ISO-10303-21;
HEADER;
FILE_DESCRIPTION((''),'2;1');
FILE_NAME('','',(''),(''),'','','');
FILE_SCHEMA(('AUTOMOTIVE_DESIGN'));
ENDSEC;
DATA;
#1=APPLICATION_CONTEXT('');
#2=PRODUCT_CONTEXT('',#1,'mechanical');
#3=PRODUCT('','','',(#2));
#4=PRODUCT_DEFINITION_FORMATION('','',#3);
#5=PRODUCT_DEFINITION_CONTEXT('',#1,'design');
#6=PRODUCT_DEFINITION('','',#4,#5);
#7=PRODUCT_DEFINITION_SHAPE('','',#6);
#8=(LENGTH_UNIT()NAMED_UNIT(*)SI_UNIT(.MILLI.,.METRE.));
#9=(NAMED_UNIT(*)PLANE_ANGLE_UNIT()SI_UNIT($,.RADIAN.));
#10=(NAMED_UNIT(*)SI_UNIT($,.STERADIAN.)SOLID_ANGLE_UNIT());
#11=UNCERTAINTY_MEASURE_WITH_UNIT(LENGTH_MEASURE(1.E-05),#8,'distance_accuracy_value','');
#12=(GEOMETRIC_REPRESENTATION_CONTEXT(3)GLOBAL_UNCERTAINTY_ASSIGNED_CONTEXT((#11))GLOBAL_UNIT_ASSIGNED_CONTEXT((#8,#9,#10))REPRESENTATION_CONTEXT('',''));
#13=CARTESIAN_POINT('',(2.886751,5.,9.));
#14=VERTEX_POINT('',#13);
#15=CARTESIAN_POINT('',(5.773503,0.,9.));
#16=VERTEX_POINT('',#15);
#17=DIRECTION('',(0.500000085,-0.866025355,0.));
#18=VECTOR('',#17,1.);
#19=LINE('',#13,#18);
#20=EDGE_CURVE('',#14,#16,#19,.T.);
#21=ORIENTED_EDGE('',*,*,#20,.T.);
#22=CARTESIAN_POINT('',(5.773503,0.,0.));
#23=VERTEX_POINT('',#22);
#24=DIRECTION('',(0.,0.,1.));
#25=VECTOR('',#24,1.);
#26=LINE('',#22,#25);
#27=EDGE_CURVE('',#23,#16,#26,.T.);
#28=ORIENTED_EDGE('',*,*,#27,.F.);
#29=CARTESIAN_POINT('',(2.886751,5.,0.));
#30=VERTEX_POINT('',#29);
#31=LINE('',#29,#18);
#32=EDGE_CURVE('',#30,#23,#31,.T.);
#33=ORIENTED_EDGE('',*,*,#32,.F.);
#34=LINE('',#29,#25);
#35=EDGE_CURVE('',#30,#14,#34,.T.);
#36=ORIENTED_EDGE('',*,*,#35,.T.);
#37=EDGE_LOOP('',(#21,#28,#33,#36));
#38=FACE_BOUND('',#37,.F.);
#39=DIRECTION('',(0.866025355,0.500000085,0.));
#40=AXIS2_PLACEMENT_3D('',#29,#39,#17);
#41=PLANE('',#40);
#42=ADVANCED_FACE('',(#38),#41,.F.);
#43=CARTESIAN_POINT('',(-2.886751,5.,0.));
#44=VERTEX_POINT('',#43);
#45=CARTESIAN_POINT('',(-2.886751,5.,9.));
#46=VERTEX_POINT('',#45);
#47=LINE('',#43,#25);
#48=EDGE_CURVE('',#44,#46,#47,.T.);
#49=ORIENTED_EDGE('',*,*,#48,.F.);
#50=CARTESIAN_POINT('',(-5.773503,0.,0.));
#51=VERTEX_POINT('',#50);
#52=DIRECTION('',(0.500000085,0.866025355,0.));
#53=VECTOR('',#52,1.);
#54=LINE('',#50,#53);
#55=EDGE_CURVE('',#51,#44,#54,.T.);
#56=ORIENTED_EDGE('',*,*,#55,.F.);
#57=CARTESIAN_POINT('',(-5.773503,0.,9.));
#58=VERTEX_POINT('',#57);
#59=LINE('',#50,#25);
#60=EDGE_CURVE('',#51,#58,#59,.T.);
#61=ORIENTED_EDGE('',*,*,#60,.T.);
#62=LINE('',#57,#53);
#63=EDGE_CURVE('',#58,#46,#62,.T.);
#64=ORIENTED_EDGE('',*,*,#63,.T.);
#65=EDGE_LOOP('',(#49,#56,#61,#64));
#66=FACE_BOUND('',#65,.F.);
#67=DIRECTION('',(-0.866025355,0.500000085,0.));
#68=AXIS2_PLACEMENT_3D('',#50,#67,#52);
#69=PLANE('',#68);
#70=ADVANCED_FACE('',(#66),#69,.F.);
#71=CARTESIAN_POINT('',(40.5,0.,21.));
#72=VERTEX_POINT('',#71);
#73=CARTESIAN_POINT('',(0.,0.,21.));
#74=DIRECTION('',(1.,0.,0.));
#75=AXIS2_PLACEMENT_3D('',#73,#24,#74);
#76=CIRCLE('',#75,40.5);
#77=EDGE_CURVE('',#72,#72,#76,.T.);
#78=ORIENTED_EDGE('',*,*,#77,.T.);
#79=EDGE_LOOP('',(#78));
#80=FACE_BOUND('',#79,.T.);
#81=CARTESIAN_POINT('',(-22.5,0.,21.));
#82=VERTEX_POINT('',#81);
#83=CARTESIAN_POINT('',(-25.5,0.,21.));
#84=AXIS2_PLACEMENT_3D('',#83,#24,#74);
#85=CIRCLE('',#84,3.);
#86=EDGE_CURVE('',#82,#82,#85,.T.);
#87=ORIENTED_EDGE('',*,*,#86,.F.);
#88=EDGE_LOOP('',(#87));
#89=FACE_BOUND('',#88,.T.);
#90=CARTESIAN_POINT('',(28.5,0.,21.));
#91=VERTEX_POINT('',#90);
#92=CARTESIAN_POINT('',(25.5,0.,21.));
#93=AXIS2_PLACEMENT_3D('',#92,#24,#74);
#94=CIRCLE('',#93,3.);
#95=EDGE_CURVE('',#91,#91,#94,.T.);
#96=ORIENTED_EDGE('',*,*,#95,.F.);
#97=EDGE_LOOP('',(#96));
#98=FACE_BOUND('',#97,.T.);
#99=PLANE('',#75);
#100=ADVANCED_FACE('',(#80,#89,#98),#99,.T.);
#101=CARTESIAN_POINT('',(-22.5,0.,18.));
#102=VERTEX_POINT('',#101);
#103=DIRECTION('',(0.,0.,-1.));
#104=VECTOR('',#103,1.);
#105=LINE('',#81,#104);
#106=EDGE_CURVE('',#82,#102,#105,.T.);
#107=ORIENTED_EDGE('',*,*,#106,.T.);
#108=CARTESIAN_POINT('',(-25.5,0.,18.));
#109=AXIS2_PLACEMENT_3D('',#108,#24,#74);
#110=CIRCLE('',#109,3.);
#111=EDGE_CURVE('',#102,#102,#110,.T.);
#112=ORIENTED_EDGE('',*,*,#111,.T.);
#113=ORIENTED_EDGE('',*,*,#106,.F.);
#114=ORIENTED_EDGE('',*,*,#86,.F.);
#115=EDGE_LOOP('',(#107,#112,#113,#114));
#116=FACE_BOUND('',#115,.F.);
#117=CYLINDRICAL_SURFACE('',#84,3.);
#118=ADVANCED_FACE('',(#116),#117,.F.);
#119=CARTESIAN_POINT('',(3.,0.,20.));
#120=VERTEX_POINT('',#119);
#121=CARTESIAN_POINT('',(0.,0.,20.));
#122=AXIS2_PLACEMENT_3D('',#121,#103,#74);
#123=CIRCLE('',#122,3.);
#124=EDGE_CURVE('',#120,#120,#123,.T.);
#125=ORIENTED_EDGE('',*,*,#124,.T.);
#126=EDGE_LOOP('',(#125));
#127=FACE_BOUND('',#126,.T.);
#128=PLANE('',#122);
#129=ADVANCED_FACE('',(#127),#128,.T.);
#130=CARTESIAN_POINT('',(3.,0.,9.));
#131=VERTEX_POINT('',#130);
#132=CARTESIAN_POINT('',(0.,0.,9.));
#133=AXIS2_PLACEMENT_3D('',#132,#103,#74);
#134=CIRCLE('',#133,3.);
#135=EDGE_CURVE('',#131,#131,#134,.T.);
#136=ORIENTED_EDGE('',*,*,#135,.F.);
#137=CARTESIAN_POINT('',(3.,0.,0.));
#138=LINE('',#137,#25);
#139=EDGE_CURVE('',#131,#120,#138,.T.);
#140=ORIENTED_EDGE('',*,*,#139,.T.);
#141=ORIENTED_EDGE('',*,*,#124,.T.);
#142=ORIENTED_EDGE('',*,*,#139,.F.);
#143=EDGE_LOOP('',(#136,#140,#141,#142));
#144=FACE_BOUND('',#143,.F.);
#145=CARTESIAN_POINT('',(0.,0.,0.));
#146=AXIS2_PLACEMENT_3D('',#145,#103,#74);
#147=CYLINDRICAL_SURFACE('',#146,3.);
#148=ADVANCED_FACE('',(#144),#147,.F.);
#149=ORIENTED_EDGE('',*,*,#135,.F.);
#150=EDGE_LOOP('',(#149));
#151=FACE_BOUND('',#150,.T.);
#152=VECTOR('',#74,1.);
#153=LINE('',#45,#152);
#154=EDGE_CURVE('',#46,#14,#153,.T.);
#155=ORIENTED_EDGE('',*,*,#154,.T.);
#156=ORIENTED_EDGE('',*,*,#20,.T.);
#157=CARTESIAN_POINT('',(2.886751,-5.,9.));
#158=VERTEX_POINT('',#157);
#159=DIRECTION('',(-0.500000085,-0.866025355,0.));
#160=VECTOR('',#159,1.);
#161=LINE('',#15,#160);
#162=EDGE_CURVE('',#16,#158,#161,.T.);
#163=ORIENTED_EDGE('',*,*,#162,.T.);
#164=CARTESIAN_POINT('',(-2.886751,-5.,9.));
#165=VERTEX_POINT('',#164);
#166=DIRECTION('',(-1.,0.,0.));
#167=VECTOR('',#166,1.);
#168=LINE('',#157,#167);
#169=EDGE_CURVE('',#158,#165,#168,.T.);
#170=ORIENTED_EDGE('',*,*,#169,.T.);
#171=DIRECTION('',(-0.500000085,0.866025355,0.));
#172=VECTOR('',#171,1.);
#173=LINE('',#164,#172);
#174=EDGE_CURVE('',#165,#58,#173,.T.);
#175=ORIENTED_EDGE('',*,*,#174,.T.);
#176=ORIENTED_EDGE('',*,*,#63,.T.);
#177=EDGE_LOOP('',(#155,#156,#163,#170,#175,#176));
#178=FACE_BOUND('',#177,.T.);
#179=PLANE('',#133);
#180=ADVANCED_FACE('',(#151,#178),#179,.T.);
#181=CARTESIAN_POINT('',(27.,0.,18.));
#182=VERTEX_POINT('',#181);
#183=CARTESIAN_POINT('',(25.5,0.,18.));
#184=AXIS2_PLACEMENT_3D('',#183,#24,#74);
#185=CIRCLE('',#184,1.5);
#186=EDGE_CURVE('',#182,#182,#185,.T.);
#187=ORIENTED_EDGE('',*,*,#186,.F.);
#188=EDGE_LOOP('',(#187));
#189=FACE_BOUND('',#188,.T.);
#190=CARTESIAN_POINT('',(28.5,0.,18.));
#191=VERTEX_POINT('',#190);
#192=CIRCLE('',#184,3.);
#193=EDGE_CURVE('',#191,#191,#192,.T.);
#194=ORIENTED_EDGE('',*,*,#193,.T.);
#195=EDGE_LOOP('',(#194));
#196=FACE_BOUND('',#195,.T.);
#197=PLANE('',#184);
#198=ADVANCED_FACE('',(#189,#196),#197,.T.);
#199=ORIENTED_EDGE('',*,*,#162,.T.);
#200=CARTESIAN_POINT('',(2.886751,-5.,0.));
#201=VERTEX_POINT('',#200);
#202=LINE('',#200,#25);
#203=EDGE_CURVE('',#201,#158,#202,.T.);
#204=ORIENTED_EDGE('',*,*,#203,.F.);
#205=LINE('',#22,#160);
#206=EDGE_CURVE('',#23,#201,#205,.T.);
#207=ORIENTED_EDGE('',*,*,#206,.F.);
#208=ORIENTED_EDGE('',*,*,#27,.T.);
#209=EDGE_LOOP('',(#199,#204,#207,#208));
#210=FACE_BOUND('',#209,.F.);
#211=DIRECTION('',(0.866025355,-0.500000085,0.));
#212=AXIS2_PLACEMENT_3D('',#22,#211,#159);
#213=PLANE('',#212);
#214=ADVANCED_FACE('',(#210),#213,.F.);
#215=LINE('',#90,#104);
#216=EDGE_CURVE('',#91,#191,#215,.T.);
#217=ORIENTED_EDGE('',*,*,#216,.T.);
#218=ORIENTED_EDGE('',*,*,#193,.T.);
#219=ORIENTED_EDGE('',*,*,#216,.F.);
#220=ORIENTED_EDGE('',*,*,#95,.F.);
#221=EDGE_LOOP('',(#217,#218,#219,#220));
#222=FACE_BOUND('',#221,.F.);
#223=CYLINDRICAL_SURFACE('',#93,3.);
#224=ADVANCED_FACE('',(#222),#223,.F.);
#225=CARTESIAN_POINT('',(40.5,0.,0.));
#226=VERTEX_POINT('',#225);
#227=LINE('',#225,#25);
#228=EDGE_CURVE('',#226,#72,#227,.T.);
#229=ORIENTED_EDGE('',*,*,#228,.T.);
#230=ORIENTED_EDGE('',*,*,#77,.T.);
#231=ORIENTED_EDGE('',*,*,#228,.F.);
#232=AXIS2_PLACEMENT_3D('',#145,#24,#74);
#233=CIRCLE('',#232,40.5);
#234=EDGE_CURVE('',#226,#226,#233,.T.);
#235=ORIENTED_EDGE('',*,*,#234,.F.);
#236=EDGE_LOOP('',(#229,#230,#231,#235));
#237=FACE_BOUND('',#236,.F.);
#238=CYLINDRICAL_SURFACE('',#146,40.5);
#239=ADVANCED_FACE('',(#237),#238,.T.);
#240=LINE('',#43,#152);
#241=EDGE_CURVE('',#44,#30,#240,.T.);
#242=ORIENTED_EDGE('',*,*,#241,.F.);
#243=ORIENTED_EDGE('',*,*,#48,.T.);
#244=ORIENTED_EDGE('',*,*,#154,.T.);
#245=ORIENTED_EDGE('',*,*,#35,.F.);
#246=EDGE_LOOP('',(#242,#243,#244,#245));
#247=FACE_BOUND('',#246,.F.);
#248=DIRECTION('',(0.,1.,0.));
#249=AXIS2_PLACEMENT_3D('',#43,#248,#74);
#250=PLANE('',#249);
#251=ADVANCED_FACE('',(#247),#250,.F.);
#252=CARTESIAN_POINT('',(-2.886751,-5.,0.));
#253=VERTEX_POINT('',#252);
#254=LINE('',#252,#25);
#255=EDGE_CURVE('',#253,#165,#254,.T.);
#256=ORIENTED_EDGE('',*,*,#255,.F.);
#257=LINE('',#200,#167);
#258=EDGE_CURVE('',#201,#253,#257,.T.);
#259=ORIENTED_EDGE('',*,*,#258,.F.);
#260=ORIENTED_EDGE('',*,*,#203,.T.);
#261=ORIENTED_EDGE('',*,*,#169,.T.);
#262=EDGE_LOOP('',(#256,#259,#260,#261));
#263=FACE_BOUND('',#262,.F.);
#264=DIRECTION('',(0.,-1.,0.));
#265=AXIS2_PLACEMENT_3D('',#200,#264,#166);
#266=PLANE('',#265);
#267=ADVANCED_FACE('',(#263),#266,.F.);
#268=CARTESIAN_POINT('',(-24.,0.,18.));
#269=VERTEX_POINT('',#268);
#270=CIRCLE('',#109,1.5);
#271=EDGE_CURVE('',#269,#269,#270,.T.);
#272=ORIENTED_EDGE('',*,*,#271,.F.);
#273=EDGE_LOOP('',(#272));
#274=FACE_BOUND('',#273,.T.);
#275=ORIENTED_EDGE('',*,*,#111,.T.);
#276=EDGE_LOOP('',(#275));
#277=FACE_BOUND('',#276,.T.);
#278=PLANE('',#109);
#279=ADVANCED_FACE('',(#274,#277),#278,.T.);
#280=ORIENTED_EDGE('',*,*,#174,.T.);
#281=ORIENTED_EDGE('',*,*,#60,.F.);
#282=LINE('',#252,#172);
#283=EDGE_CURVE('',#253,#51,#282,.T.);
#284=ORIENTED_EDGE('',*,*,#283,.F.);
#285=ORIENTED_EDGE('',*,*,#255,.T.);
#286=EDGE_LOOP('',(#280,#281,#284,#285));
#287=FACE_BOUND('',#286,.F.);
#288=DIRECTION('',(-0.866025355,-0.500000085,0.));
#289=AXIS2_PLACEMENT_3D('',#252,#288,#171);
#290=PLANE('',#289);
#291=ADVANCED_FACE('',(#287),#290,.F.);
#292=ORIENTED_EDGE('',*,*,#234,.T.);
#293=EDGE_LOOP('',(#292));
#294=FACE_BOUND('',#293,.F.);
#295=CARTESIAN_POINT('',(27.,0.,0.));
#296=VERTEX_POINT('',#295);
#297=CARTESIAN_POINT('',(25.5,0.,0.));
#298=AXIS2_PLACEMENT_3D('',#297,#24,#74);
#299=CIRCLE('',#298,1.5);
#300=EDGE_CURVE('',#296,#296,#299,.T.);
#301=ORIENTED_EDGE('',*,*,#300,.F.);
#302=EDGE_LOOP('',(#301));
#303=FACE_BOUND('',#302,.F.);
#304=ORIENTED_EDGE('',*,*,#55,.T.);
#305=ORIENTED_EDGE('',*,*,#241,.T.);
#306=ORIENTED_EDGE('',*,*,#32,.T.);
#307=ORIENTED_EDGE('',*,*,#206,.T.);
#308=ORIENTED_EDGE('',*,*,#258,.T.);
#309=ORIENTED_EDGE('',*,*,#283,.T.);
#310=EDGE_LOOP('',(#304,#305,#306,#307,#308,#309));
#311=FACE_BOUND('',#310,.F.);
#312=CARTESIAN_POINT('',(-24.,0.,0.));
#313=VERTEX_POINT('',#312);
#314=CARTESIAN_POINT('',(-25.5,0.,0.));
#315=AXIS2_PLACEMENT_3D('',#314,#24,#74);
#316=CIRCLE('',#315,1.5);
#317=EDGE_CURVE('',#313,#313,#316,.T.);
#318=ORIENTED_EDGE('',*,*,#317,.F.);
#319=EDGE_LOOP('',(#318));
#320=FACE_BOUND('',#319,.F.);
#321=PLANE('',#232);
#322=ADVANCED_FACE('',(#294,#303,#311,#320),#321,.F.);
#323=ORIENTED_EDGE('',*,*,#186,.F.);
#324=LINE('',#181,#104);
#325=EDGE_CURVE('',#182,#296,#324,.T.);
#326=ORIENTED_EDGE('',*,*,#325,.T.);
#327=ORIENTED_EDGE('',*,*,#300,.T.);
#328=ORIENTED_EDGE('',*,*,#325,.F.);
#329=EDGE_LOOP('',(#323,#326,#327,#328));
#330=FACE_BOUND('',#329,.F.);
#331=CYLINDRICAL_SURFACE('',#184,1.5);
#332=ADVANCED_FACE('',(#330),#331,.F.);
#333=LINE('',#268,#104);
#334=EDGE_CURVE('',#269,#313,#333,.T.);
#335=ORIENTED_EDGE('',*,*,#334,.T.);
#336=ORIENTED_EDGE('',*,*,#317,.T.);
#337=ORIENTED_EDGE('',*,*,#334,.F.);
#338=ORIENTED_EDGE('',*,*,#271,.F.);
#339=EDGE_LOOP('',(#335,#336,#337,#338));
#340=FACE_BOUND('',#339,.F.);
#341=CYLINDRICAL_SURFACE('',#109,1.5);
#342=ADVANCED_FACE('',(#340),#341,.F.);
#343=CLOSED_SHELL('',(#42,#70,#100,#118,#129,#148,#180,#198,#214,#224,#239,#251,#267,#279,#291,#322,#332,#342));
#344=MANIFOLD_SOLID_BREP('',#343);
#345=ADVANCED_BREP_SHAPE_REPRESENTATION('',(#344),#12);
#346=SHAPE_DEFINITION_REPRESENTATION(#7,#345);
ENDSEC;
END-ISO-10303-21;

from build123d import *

# Parameters (mm, degrees)
F0_R     = 40.5
F1_DEPTH = 21
F2_R     = 3
F3_DEPTH = 3
F4_R     = 1.5
F5_DEPTH = 25
F7_DEPTH = 9
F8_R     = 3
F9_DEPTH = 20


with BuildPart() as f1:
    # F0 (on Top) → F1 (new body)
    with BuildSketch(Plane.XY):
        Circle(F0_R)
    extrude(amount=F1_DEPTH)

    # F2 (on face) → F3 (cut)
    with BuildSketch(Plane.XY.offset(21)):
        with Locations((-25.5, 0)):
            Circle(F2_R)
        with Locations((25.5, 0)):
            Circle(F2_R)
    extrude(amount=-F3_DEPTH, mode=Mode.SUBTRACT)

    # F4 (on face) → F5 (cut)
    with BuildSketch(Plane.XY.offset(18)):
        with Locations((-25.5, 0)):
            Circle(F4_R)
        with Locations((25.5, 0)):
            Circle(F4_R)
    extrude(amount=-F5_DEPTH, mode=Mode.SUBTRACT)

    # F6 (on face) → F7 (cut)
    with BuildSketch(Plane(origin=(0, 0, 0), x_dir=(1, 0, 0), z_dir=(0, 0, -1))):
        Polygon((2.886751, 5), (-2.886751, 5), (-5.773503, 0), (-2.886751, -5), (2.886751, -5), (5.773503, 0), align=None)
    extrude(amount=-F7_DEPTH, mode=Mode.SUBTRACT)

    # F8 (on face) → F9 (cut)
    with BuildSketch(Plane(origin=(0, 0, 0), x_dir=(1, 0, 0), z_dir=(0, 0, -1))):
        Circle(F8_R)
    extrude(amount=-F9_DEPTH, mode=Mode.SUBTRACT)


solid = f1.part
